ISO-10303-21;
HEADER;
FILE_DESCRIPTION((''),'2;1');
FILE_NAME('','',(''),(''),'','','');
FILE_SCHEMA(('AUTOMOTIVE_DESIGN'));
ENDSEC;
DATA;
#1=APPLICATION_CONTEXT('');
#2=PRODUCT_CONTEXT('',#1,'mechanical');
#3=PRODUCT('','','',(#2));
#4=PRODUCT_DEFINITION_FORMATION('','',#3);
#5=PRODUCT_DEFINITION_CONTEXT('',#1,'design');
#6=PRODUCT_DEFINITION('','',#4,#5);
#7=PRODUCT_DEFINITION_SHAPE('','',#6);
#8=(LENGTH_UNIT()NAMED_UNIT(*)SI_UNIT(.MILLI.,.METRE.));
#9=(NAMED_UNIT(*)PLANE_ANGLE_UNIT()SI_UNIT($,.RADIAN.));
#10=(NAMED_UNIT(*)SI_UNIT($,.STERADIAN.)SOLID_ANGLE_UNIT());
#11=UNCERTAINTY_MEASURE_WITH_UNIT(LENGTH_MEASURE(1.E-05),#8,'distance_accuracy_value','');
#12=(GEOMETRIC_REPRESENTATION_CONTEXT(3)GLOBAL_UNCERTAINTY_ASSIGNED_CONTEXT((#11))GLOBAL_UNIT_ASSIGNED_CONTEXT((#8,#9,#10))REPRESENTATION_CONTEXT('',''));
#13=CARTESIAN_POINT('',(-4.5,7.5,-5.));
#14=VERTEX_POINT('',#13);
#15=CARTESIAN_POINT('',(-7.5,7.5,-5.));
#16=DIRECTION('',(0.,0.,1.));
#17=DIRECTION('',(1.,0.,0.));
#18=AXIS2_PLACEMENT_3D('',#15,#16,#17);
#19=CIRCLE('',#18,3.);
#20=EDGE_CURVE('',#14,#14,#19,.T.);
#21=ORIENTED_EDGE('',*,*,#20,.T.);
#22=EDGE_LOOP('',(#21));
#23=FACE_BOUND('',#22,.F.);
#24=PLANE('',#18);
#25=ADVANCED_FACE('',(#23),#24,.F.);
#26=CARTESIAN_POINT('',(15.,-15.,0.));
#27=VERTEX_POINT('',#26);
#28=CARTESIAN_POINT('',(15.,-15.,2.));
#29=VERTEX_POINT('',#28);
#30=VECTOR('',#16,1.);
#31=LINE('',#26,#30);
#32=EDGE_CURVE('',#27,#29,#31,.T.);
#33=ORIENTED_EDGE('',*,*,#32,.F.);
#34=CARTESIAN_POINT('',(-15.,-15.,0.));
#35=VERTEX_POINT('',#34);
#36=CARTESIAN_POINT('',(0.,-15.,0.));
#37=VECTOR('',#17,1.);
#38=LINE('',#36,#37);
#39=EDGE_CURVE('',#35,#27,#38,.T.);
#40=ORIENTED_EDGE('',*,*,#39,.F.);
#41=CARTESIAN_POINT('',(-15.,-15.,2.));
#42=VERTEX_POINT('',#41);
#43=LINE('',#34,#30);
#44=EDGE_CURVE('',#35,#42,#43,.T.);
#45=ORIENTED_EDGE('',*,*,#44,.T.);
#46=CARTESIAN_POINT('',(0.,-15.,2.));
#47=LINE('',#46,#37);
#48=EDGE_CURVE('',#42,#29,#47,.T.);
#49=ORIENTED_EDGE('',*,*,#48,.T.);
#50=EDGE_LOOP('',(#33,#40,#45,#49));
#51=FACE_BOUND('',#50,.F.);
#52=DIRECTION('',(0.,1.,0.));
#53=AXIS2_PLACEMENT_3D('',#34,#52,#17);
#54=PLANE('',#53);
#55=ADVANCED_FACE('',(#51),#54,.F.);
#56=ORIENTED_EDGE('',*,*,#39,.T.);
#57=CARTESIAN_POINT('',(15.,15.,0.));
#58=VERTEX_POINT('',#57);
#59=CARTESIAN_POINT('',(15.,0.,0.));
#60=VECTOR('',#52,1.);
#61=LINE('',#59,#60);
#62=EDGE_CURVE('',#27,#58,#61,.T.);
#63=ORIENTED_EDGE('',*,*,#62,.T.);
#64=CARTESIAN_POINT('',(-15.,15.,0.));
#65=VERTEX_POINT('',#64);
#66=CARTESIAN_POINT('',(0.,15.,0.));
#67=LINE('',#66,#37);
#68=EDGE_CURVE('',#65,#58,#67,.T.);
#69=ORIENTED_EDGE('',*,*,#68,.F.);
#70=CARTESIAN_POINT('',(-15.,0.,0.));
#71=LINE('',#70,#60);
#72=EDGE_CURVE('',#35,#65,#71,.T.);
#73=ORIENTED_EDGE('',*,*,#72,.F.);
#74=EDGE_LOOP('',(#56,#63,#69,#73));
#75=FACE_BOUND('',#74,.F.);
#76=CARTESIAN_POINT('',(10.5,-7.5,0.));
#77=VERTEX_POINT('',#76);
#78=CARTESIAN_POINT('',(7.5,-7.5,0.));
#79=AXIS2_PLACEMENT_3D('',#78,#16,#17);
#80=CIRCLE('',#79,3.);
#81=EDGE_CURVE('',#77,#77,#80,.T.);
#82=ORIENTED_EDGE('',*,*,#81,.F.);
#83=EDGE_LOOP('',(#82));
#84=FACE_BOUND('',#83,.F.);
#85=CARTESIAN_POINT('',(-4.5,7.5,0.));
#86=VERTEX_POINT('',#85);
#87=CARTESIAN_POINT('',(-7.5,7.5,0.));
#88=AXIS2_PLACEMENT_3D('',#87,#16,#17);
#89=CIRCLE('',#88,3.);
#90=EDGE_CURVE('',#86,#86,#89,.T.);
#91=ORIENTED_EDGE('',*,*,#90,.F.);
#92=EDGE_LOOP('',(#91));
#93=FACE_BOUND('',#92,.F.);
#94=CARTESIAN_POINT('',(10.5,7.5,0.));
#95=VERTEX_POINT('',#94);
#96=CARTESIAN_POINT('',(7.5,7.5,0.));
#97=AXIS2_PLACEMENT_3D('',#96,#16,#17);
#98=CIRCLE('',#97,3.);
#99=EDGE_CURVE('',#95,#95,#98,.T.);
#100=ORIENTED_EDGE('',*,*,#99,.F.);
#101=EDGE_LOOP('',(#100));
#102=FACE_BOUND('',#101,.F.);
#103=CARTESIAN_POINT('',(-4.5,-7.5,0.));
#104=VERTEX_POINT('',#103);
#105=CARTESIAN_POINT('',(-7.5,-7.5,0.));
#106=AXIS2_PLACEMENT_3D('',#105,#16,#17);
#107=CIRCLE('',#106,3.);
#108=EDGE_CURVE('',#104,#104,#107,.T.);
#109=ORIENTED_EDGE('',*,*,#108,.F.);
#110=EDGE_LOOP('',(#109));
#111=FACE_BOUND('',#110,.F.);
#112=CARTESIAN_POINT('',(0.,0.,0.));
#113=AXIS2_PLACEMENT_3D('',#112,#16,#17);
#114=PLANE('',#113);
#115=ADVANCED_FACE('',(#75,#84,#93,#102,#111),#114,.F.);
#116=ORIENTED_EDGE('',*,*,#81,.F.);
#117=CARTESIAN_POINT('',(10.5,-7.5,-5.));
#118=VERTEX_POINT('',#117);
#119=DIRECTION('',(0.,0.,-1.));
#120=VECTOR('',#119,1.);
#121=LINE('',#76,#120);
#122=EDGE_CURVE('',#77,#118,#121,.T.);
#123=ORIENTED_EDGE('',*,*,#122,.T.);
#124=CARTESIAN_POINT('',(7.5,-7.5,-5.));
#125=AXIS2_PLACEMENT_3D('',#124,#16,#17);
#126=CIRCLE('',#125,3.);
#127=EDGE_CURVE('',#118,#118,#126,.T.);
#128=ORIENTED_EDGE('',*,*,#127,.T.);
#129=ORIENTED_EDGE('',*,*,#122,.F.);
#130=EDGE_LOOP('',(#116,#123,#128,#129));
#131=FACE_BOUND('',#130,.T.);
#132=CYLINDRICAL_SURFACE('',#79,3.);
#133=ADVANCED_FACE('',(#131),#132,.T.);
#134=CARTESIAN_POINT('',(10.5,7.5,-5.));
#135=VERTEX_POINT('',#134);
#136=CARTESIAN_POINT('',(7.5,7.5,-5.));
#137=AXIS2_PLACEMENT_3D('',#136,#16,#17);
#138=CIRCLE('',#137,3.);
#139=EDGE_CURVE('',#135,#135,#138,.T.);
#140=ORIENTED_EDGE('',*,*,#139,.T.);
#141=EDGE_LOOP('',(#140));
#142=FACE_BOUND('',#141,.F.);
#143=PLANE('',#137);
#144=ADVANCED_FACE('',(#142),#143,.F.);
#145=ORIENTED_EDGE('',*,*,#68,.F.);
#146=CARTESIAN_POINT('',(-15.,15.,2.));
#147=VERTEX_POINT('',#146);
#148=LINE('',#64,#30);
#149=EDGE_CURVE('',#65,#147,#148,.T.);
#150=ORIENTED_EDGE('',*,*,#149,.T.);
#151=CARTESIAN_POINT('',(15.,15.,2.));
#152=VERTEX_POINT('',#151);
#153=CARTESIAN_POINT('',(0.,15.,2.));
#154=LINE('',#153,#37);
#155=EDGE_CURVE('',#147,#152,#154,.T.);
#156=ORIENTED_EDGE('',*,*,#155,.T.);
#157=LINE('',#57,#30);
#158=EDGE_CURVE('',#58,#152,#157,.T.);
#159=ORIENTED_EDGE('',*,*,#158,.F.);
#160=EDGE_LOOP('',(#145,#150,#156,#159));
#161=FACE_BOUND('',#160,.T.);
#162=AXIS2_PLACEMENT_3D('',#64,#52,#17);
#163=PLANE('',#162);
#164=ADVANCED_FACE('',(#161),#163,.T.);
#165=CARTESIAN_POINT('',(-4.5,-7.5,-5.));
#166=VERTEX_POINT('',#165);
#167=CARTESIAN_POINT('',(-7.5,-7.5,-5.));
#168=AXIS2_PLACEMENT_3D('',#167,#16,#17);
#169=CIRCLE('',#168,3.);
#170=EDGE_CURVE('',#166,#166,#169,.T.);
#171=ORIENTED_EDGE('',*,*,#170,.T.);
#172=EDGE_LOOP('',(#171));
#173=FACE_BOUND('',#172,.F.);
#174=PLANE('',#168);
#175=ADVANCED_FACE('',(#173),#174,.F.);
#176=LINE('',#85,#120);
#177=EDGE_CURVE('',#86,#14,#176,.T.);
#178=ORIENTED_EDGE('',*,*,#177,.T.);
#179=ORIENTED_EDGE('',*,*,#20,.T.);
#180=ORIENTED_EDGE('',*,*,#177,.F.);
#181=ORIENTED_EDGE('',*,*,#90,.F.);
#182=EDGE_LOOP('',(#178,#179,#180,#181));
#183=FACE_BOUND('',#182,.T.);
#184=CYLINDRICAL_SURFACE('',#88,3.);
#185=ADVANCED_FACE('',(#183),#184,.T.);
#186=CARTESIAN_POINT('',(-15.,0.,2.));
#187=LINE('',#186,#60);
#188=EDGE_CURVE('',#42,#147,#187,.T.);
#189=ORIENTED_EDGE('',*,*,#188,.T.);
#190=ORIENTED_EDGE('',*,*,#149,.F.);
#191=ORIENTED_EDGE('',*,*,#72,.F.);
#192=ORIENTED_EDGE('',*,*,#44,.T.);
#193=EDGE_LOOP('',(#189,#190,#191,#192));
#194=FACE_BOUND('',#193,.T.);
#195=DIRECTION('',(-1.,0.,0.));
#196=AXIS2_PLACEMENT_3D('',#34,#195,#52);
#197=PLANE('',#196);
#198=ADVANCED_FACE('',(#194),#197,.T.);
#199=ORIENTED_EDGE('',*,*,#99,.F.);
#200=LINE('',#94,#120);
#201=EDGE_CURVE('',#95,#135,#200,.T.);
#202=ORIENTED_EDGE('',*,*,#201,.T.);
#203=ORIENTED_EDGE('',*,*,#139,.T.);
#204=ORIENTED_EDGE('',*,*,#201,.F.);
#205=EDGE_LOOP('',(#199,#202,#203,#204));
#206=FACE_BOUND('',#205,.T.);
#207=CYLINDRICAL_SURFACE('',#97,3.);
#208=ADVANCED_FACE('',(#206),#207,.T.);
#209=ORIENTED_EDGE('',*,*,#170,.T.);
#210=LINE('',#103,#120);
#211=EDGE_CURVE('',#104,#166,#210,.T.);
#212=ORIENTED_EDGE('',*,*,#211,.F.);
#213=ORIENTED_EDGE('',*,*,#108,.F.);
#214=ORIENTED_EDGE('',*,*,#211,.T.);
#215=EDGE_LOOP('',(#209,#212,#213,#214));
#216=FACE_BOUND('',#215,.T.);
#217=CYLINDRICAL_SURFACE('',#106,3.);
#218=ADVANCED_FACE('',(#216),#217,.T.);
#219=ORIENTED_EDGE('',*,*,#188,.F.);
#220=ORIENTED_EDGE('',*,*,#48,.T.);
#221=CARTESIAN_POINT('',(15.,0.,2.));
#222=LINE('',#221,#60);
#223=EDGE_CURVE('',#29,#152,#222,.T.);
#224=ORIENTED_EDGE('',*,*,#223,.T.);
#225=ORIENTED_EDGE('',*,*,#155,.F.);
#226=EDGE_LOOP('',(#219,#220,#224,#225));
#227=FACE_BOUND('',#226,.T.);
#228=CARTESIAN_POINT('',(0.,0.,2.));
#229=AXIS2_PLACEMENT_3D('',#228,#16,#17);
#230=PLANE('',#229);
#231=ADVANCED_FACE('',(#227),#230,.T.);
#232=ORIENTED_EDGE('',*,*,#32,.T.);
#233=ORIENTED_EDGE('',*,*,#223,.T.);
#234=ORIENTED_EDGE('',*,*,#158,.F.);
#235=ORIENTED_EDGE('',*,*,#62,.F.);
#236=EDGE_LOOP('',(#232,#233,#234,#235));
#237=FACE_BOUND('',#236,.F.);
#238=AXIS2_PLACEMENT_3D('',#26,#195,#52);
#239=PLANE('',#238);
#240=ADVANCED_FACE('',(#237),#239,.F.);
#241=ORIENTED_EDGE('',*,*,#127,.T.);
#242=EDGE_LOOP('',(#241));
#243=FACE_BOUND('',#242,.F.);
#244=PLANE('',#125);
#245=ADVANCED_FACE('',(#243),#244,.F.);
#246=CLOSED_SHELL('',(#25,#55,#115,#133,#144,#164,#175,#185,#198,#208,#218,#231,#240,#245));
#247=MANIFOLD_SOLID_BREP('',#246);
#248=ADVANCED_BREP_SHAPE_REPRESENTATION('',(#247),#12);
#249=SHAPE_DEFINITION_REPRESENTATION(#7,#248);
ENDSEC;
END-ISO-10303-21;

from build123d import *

# Parameters (mm, degrees)
F0_W     = 30
F0_H     = 30
F1_DEPTH = 2
F2_R     = 3
F3_DEPTH = 5


with BuildPart() as f1:
    # F0 (on Top) → F1 (new body)
    with BuildSketch(Plane.XY):
        Rectangle(F0_W, F0_H)
    extrude(amount=F1_DEPTH)

    # F2 (on Top) → F3 (join)
    with BuildSketch(Plane.XY):
        with Locations((-7.5, -7.5)):
            Circle(F2_R)
        with Locations((7.5, -7.5)):
            Circle(F2_R)
        with Locations((7.5, 7.5)):
            Circle(F2_R)
        with Locations((-7.5, 7.5)):
            Circle(F2_R)
    extrude(amount=-F3_DEPTH)


solid = f1.part
